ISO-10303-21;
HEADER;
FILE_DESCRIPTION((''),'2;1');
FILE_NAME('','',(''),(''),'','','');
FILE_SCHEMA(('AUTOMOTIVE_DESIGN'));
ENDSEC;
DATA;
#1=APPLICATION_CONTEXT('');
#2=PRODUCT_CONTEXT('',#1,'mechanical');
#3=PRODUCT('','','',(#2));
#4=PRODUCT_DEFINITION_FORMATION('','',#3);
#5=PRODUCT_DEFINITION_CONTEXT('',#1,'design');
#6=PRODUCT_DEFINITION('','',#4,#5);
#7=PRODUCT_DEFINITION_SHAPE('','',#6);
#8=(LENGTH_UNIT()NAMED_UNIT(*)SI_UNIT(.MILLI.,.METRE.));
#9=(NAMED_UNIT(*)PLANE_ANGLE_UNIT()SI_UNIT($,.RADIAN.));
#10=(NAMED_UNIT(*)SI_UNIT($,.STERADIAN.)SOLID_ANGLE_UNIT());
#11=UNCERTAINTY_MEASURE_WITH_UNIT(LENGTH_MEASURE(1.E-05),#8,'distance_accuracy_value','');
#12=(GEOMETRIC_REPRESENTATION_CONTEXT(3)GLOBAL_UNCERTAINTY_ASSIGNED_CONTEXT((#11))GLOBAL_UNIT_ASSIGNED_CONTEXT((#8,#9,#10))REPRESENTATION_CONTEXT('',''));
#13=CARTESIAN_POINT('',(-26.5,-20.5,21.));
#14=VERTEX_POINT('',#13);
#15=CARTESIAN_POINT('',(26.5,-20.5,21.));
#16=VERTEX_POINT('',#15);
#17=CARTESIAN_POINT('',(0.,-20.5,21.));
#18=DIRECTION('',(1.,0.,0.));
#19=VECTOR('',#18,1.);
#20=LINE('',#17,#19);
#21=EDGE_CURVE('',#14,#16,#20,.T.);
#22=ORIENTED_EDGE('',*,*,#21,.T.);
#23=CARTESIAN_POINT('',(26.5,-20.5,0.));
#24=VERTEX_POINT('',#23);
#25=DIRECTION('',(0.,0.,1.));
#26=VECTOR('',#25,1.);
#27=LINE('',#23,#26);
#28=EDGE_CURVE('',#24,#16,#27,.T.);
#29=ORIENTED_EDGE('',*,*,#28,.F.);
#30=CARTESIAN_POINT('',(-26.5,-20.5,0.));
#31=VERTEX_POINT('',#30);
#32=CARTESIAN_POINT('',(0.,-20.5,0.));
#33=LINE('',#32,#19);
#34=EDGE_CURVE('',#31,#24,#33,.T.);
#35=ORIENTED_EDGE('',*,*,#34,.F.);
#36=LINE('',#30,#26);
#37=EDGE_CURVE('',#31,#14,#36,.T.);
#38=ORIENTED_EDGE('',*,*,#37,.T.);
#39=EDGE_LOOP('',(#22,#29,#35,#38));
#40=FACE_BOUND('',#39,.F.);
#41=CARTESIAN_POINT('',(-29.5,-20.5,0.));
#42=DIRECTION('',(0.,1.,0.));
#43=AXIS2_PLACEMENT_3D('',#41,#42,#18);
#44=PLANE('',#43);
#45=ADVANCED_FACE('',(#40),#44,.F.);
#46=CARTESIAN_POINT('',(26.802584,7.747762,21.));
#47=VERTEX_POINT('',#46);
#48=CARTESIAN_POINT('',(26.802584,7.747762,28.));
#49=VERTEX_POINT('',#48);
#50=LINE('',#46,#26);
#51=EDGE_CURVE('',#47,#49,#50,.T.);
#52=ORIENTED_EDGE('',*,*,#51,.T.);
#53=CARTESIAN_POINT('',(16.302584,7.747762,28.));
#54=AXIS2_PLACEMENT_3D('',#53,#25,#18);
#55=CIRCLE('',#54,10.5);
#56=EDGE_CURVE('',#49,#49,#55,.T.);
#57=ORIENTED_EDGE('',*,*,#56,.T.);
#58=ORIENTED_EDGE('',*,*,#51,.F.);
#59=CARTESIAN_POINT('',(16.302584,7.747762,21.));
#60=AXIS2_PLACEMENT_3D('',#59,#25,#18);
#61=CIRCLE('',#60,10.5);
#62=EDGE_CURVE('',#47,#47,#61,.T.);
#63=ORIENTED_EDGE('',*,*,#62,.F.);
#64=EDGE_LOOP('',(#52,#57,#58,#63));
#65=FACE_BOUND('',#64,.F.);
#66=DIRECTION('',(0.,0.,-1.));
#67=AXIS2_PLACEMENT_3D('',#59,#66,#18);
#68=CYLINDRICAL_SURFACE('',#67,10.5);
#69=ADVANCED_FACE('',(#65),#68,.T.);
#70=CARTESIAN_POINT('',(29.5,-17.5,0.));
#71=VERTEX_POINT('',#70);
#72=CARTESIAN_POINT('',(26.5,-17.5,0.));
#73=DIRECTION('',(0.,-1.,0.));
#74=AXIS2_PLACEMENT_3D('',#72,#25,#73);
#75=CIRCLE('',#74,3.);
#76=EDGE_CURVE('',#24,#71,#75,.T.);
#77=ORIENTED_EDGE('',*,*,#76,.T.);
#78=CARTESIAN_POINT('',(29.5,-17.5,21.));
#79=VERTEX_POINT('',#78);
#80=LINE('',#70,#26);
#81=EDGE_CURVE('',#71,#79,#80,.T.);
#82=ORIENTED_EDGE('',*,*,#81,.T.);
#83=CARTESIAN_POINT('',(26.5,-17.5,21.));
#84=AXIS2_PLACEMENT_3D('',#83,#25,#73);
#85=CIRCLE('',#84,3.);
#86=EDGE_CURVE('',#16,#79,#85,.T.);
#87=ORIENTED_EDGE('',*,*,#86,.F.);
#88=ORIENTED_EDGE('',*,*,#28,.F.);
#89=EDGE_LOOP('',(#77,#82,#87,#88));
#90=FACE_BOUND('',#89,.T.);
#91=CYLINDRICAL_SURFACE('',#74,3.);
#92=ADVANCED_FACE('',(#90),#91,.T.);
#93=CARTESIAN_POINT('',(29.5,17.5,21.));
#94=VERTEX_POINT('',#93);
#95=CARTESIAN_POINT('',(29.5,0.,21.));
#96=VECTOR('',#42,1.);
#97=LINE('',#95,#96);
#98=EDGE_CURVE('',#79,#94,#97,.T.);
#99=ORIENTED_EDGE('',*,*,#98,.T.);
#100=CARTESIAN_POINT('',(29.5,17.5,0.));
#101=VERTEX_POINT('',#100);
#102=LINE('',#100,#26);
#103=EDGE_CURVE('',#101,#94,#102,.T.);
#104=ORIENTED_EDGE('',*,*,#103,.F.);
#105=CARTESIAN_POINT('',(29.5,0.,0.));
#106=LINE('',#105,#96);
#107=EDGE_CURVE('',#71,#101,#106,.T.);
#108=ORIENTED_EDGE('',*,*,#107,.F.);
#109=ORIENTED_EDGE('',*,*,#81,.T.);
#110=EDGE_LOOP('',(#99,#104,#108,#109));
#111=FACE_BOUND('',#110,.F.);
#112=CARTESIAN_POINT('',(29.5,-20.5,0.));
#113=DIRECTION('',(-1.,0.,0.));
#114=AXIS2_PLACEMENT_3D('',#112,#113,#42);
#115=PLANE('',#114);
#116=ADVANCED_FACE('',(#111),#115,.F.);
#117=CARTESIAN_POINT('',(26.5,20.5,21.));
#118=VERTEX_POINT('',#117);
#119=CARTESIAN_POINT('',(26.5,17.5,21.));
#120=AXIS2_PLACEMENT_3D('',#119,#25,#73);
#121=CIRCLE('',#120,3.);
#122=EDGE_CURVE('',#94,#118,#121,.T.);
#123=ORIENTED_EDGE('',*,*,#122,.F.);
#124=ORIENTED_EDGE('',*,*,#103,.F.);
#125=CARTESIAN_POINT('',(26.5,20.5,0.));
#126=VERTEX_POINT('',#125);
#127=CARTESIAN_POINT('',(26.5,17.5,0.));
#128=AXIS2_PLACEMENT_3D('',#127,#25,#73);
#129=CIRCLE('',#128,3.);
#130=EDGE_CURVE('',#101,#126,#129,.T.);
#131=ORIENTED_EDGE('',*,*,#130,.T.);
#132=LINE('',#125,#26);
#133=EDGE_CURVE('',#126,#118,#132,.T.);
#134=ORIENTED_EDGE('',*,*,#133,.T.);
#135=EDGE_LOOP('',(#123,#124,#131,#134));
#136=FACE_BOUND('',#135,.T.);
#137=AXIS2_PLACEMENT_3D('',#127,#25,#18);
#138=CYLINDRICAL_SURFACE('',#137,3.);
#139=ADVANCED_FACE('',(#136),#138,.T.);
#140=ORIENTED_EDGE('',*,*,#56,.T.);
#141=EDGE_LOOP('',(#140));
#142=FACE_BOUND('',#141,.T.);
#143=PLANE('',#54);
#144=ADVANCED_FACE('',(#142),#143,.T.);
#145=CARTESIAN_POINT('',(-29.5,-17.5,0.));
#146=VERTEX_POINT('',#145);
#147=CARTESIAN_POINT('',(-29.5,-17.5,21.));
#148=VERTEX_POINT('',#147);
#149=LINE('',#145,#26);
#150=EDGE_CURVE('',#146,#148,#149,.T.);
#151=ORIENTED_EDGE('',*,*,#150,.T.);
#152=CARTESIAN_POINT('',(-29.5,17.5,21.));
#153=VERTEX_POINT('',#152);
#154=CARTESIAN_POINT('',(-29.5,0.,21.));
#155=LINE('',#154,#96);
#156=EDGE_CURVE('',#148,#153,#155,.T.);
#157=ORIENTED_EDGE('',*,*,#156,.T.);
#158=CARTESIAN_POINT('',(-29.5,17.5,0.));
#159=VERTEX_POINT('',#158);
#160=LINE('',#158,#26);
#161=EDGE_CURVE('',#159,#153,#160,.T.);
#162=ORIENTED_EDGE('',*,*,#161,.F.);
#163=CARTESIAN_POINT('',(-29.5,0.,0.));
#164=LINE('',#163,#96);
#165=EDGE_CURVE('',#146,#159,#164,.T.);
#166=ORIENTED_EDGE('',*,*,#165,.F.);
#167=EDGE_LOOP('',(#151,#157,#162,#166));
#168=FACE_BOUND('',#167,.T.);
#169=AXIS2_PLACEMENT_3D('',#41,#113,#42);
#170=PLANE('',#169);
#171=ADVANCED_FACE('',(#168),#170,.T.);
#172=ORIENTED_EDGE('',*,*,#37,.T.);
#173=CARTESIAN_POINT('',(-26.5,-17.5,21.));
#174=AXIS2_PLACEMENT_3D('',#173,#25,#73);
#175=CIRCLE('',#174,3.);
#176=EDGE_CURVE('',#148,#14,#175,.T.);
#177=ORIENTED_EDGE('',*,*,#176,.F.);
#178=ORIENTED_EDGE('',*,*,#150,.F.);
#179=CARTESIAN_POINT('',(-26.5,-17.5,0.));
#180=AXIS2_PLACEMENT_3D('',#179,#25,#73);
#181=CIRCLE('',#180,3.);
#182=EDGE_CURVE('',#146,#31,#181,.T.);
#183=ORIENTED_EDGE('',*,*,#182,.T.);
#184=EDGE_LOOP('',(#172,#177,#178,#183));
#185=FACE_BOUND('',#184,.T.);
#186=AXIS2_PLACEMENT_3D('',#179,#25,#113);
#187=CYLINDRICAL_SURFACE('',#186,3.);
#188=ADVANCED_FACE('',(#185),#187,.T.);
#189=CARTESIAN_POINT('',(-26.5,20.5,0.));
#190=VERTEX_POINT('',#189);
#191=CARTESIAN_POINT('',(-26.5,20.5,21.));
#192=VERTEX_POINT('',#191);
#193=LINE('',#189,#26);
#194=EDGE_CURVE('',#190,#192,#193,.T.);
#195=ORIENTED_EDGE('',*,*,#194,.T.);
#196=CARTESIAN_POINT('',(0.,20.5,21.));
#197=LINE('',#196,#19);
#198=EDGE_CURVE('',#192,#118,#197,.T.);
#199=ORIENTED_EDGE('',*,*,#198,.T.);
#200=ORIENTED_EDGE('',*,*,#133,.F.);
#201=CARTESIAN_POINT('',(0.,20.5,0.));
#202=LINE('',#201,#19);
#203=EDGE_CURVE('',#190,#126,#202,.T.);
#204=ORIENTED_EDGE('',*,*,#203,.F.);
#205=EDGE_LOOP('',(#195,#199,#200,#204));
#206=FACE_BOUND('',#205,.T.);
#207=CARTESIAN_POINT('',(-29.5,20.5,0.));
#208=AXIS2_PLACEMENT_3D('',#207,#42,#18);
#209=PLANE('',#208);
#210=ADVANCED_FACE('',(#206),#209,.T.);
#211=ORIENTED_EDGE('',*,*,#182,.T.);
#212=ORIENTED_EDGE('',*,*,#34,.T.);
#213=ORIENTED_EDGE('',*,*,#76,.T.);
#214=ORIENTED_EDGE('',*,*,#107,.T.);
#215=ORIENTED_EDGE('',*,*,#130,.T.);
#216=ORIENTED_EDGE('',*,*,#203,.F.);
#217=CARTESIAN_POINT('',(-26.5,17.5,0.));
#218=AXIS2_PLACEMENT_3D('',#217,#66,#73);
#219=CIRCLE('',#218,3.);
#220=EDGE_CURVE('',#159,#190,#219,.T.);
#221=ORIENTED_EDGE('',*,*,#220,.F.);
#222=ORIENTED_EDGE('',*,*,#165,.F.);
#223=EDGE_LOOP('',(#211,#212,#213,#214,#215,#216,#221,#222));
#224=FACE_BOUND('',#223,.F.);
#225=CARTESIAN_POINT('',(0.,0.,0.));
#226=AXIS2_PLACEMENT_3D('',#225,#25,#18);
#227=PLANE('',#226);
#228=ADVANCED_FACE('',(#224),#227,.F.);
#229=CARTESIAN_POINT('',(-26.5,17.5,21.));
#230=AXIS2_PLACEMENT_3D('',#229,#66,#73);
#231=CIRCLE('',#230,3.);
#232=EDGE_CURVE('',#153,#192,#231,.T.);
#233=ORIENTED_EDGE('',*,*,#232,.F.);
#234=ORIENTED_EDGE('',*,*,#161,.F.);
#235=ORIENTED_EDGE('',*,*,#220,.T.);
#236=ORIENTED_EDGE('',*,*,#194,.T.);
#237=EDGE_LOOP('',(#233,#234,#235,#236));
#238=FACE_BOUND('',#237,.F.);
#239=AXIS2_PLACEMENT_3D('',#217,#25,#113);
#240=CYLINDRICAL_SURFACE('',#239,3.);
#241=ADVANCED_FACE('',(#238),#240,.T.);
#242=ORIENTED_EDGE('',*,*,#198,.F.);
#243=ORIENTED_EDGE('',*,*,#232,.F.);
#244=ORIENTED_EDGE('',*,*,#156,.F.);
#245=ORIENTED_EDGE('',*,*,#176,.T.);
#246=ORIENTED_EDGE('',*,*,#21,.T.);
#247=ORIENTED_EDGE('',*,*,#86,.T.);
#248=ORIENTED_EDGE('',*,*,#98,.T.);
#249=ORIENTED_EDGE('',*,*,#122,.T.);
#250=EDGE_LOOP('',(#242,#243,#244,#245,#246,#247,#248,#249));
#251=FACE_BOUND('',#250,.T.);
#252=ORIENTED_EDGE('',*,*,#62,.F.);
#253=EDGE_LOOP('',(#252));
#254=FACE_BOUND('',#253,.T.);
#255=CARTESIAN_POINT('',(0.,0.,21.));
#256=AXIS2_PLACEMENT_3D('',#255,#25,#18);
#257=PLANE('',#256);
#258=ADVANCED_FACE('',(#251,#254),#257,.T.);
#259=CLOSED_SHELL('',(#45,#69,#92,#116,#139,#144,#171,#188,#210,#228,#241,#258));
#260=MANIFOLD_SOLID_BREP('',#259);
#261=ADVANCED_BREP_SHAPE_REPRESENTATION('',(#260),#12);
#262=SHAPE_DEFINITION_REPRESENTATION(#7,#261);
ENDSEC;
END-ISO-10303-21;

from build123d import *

# Parameters (mm, degrees)
F0_W     = 59
F0_H     = 41
F1_DEPTH = 21
F2_R     = 3
F3_R     = 10.5
F4_DEPTH = 7


with BuildPart() as f1:
    # F0 (on Top) → F1 (new body)
    with BuildSketch(Plane.XY):
        Rectangle(F0_W, F0_H)
    extrude(amount=F1_DEPTH)

    # F2
    f2_edges = [f1.edges().sort_by_distance(p)[0] for p in [
        (-29.5, -20.5, 10.5),
        (-29.5, 20.5, 10.5),
        (29.5, -20.5, 10.5),
        (29.5, 20.5, 10.5),
    ]]
    fillet(f2_edges, radius=F2_R)

    # F3 (on face) → F4 (join)
    with BuildSketch(Plane.XY.offset(21)):
        with Locations((16.302584, 7.747762)):
            Circle(F3_R)
    extrude(amount=F4_DEPTH)


solid = f1.part
